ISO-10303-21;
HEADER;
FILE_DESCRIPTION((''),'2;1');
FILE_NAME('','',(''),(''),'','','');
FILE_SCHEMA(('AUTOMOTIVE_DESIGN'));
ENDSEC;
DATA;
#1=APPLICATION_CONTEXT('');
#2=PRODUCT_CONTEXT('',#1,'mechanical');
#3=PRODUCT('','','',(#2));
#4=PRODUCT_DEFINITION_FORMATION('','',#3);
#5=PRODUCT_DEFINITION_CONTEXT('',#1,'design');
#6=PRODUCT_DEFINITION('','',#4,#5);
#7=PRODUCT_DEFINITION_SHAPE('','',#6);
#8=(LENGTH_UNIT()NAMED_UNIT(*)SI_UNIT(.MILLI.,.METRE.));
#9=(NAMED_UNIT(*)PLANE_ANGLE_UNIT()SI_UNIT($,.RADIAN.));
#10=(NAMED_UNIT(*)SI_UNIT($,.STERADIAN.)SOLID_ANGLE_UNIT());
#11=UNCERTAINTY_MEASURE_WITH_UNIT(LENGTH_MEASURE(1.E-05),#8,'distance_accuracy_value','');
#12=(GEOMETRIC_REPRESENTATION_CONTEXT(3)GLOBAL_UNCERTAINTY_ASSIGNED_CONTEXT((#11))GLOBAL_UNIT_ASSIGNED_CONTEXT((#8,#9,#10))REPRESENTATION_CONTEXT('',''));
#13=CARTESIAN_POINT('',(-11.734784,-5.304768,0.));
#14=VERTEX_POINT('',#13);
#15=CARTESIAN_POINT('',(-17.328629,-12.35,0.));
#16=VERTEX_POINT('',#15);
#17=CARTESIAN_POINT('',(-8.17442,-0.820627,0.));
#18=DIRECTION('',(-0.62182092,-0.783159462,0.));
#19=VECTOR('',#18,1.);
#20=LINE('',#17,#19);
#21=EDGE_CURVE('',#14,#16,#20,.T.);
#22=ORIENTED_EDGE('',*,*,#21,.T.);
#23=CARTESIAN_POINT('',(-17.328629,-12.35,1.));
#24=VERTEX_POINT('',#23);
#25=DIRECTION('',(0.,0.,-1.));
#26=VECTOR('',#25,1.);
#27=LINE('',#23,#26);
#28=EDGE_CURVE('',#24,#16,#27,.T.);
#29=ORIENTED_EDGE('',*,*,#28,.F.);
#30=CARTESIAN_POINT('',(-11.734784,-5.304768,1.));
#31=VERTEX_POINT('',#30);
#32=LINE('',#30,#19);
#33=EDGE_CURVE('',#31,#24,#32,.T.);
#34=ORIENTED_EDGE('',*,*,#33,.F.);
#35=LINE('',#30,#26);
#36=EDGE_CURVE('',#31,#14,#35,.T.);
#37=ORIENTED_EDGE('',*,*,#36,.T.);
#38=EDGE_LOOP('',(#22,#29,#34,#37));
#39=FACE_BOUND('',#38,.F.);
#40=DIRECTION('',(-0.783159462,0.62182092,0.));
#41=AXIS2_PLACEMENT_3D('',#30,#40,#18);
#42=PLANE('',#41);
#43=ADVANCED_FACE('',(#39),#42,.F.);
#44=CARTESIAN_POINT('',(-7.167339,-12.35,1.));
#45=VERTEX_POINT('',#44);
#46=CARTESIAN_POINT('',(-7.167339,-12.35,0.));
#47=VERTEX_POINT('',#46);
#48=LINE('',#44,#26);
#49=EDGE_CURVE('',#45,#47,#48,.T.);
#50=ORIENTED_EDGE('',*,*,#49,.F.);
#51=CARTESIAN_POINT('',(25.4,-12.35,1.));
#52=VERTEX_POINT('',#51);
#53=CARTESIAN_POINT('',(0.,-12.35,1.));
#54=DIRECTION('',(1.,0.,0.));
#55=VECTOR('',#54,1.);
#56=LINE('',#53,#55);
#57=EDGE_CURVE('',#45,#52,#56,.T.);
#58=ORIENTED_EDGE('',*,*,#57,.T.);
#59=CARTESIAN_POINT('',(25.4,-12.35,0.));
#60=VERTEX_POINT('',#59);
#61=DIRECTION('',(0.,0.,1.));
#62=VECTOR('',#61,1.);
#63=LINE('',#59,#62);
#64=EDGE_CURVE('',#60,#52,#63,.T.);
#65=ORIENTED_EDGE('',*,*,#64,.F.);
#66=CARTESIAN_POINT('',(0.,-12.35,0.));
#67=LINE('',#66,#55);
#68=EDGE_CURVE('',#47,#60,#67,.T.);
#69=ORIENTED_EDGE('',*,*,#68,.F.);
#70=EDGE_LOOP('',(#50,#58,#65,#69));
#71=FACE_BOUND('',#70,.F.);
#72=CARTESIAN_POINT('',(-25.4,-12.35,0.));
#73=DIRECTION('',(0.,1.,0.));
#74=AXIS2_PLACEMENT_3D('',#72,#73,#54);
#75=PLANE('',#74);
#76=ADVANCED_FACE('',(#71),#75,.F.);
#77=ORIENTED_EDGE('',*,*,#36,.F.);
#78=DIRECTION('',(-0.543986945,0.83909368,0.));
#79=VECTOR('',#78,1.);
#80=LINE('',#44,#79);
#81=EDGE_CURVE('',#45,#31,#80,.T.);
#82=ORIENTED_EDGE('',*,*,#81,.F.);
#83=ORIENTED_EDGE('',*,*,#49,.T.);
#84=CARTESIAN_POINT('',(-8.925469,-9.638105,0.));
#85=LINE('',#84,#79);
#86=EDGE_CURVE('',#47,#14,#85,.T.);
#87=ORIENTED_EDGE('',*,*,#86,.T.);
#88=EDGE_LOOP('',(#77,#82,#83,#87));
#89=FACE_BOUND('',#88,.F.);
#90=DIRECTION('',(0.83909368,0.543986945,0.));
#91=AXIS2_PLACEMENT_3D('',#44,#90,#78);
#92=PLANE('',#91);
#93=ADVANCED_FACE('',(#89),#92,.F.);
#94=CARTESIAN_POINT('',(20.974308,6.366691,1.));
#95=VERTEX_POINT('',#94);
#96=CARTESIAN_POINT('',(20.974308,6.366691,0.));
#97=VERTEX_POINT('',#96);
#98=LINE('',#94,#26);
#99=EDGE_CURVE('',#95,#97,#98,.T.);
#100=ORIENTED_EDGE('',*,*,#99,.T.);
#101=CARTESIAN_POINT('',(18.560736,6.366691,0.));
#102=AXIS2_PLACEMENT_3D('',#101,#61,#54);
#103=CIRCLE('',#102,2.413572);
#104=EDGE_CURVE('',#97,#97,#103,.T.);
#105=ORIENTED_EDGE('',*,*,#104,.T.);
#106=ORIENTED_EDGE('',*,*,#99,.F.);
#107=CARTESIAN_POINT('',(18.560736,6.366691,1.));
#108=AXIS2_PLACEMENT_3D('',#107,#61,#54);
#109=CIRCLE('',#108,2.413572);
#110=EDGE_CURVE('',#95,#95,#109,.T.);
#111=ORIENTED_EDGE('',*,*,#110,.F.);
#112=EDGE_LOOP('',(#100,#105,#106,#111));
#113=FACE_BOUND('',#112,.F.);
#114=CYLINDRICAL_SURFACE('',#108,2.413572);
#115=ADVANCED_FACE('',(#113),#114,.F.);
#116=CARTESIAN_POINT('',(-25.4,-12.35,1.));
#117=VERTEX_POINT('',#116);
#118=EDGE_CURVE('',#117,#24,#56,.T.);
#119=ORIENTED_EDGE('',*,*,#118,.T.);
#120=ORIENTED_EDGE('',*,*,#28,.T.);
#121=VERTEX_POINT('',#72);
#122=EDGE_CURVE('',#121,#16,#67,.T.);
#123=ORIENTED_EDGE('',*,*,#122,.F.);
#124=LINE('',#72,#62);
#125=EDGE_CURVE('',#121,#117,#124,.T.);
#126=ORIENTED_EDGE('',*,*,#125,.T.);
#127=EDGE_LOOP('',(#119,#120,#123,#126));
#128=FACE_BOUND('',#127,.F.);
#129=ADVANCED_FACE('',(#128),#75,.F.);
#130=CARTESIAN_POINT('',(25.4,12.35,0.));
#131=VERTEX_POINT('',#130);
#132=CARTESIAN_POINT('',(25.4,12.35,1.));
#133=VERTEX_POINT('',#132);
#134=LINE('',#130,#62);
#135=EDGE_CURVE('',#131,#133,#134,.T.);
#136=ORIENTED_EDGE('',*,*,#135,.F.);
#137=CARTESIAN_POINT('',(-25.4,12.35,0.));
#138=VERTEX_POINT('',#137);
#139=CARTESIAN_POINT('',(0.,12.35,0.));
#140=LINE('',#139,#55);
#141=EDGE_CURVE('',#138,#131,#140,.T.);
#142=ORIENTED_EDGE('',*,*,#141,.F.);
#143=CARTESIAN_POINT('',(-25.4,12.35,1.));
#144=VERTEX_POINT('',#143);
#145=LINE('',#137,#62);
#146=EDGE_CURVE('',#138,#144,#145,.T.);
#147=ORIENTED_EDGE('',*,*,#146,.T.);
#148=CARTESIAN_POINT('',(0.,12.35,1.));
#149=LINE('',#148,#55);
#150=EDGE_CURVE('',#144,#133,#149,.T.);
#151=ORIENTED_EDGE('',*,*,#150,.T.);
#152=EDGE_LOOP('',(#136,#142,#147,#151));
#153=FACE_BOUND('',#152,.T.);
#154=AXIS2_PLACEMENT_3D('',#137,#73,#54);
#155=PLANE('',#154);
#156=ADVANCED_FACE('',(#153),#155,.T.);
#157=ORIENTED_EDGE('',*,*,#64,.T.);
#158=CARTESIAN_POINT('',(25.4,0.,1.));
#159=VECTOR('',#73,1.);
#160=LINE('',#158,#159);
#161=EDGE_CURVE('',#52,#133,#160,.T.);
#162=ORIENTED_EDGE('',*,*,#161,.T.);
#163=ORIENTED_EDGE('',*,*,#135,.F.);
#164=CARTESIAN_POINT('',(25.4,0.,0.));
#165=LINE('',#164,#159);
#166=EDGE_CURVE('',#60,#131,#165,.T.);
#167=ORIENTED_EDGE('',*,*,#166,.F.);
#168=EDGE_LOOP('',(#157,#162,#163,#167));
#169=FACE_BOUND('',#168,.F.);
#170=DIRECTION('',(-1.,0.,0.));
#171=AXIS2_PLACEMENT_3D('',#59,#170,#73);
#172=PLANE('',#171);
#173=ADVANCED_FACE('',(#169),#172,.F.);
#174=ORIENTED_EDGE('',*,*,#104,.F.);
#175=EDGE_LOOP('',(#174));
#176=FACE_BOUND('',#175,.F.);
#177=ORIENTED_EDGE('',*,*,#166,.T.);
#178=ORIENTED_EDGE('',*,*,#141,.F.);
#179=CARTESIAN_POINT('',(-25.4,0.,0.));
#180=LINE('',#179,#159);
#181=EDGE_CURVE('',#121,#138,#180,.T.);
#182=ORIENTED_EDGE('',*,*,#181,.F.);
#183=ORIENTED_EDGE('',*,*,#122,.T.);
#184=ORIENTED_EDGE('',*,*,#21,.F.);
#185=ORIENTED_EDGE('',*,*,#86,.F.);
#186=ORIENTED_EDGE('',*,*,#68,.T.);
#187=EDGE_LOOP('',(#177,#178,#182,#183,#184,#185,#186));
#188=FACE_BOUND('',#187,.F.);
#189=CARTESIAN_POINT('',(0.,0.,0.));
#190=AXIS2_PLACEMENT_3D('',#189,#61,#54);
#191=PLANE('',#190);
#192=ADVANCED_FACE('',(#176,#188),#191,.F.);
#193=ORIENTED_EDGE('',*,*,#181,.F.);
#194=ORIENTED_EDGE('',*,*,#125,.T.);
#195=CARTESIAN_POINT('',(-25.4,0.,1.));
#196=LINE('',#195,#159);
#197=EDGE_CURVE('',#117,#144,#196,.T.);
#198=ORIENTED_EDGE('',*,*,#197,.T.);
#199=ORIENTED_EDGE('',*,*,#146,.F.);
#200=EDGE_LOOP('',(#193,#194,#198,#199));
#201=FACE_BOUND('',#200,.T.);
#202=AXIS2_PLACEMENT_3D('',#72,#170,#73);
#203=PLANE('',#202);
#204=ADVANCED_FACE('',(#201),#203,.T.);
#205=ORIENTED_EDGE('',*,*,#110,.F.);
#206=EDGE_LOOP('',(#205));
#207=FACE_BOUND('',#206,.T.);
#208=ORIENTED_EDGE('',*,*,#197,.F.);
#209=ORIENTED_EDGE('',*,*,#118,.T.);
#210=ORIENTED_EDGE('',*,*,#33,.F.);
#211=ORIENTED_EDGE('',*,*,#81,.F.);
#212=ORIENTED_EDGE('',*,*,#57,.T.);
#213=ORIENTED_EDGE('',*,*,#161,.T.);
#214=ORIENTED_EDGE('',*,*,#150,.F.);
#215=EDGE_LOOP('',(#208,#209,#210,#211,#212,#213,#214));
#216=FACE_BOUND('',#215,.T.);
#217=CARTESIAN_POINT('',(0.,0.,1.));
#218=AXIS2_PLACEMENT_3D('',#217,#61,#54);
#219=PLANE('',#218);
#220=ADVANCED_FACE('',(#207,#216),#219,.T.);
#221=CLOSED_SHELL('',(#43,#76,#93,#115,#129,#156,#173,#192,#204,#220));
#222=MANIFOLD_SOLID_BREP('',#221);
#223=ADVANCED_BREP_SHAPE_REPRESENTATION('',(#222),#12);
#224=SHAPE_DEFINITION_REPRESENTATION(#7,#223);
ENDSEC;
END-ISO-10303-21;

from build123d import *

# Parameters (mm, degrees)
F0_W     = 50.8
F0_H     = 24.7
F1_DEPTH = 1
F2_R     = 1.5
F3_DEPTH = 33.2
F4_R     = 2.413572
F5_DEPTH = 25
F7_DEPTH = 25


with BuildPart() as f1:
    # F0 (on Top) → F1 (new body)
    with BuildSketch(Plane.XY):
        Rectangle(F0_W, F0_H)
    extrude(amount=F1_DEPTH)

    # F2 (on face) → F3 (cut)
    with BuildSketch(Plane.XY.offset(1)):
        with Locations((19.324599, -3.538307)):
            Circle(F2_R)
    extrude(amount=F3_DEPTH, mode=Mode.SUBTRACT)

    # F4 (on face) → F5 (cut)
    with BuildSketch(Plane.XY.offset(1)):
        with Locations((18.560736, 6.366691)):
            Circle(F4_R)
    extrude(amount=-F5_DEPTH, mode=Mode.SUBTRACT)

    # F6 (on face) → F7 (cut)
    with BuildSketch(Plane.XY.offset(1)):
        Polygon((-11.734784, -5.304768), (-17.328629, -12.35), (-7.167339, -12.35), align=None)
    extrude(amount=-F7_DEPTH, mode=Mode.SUBTRACT)


solid = f1.part
